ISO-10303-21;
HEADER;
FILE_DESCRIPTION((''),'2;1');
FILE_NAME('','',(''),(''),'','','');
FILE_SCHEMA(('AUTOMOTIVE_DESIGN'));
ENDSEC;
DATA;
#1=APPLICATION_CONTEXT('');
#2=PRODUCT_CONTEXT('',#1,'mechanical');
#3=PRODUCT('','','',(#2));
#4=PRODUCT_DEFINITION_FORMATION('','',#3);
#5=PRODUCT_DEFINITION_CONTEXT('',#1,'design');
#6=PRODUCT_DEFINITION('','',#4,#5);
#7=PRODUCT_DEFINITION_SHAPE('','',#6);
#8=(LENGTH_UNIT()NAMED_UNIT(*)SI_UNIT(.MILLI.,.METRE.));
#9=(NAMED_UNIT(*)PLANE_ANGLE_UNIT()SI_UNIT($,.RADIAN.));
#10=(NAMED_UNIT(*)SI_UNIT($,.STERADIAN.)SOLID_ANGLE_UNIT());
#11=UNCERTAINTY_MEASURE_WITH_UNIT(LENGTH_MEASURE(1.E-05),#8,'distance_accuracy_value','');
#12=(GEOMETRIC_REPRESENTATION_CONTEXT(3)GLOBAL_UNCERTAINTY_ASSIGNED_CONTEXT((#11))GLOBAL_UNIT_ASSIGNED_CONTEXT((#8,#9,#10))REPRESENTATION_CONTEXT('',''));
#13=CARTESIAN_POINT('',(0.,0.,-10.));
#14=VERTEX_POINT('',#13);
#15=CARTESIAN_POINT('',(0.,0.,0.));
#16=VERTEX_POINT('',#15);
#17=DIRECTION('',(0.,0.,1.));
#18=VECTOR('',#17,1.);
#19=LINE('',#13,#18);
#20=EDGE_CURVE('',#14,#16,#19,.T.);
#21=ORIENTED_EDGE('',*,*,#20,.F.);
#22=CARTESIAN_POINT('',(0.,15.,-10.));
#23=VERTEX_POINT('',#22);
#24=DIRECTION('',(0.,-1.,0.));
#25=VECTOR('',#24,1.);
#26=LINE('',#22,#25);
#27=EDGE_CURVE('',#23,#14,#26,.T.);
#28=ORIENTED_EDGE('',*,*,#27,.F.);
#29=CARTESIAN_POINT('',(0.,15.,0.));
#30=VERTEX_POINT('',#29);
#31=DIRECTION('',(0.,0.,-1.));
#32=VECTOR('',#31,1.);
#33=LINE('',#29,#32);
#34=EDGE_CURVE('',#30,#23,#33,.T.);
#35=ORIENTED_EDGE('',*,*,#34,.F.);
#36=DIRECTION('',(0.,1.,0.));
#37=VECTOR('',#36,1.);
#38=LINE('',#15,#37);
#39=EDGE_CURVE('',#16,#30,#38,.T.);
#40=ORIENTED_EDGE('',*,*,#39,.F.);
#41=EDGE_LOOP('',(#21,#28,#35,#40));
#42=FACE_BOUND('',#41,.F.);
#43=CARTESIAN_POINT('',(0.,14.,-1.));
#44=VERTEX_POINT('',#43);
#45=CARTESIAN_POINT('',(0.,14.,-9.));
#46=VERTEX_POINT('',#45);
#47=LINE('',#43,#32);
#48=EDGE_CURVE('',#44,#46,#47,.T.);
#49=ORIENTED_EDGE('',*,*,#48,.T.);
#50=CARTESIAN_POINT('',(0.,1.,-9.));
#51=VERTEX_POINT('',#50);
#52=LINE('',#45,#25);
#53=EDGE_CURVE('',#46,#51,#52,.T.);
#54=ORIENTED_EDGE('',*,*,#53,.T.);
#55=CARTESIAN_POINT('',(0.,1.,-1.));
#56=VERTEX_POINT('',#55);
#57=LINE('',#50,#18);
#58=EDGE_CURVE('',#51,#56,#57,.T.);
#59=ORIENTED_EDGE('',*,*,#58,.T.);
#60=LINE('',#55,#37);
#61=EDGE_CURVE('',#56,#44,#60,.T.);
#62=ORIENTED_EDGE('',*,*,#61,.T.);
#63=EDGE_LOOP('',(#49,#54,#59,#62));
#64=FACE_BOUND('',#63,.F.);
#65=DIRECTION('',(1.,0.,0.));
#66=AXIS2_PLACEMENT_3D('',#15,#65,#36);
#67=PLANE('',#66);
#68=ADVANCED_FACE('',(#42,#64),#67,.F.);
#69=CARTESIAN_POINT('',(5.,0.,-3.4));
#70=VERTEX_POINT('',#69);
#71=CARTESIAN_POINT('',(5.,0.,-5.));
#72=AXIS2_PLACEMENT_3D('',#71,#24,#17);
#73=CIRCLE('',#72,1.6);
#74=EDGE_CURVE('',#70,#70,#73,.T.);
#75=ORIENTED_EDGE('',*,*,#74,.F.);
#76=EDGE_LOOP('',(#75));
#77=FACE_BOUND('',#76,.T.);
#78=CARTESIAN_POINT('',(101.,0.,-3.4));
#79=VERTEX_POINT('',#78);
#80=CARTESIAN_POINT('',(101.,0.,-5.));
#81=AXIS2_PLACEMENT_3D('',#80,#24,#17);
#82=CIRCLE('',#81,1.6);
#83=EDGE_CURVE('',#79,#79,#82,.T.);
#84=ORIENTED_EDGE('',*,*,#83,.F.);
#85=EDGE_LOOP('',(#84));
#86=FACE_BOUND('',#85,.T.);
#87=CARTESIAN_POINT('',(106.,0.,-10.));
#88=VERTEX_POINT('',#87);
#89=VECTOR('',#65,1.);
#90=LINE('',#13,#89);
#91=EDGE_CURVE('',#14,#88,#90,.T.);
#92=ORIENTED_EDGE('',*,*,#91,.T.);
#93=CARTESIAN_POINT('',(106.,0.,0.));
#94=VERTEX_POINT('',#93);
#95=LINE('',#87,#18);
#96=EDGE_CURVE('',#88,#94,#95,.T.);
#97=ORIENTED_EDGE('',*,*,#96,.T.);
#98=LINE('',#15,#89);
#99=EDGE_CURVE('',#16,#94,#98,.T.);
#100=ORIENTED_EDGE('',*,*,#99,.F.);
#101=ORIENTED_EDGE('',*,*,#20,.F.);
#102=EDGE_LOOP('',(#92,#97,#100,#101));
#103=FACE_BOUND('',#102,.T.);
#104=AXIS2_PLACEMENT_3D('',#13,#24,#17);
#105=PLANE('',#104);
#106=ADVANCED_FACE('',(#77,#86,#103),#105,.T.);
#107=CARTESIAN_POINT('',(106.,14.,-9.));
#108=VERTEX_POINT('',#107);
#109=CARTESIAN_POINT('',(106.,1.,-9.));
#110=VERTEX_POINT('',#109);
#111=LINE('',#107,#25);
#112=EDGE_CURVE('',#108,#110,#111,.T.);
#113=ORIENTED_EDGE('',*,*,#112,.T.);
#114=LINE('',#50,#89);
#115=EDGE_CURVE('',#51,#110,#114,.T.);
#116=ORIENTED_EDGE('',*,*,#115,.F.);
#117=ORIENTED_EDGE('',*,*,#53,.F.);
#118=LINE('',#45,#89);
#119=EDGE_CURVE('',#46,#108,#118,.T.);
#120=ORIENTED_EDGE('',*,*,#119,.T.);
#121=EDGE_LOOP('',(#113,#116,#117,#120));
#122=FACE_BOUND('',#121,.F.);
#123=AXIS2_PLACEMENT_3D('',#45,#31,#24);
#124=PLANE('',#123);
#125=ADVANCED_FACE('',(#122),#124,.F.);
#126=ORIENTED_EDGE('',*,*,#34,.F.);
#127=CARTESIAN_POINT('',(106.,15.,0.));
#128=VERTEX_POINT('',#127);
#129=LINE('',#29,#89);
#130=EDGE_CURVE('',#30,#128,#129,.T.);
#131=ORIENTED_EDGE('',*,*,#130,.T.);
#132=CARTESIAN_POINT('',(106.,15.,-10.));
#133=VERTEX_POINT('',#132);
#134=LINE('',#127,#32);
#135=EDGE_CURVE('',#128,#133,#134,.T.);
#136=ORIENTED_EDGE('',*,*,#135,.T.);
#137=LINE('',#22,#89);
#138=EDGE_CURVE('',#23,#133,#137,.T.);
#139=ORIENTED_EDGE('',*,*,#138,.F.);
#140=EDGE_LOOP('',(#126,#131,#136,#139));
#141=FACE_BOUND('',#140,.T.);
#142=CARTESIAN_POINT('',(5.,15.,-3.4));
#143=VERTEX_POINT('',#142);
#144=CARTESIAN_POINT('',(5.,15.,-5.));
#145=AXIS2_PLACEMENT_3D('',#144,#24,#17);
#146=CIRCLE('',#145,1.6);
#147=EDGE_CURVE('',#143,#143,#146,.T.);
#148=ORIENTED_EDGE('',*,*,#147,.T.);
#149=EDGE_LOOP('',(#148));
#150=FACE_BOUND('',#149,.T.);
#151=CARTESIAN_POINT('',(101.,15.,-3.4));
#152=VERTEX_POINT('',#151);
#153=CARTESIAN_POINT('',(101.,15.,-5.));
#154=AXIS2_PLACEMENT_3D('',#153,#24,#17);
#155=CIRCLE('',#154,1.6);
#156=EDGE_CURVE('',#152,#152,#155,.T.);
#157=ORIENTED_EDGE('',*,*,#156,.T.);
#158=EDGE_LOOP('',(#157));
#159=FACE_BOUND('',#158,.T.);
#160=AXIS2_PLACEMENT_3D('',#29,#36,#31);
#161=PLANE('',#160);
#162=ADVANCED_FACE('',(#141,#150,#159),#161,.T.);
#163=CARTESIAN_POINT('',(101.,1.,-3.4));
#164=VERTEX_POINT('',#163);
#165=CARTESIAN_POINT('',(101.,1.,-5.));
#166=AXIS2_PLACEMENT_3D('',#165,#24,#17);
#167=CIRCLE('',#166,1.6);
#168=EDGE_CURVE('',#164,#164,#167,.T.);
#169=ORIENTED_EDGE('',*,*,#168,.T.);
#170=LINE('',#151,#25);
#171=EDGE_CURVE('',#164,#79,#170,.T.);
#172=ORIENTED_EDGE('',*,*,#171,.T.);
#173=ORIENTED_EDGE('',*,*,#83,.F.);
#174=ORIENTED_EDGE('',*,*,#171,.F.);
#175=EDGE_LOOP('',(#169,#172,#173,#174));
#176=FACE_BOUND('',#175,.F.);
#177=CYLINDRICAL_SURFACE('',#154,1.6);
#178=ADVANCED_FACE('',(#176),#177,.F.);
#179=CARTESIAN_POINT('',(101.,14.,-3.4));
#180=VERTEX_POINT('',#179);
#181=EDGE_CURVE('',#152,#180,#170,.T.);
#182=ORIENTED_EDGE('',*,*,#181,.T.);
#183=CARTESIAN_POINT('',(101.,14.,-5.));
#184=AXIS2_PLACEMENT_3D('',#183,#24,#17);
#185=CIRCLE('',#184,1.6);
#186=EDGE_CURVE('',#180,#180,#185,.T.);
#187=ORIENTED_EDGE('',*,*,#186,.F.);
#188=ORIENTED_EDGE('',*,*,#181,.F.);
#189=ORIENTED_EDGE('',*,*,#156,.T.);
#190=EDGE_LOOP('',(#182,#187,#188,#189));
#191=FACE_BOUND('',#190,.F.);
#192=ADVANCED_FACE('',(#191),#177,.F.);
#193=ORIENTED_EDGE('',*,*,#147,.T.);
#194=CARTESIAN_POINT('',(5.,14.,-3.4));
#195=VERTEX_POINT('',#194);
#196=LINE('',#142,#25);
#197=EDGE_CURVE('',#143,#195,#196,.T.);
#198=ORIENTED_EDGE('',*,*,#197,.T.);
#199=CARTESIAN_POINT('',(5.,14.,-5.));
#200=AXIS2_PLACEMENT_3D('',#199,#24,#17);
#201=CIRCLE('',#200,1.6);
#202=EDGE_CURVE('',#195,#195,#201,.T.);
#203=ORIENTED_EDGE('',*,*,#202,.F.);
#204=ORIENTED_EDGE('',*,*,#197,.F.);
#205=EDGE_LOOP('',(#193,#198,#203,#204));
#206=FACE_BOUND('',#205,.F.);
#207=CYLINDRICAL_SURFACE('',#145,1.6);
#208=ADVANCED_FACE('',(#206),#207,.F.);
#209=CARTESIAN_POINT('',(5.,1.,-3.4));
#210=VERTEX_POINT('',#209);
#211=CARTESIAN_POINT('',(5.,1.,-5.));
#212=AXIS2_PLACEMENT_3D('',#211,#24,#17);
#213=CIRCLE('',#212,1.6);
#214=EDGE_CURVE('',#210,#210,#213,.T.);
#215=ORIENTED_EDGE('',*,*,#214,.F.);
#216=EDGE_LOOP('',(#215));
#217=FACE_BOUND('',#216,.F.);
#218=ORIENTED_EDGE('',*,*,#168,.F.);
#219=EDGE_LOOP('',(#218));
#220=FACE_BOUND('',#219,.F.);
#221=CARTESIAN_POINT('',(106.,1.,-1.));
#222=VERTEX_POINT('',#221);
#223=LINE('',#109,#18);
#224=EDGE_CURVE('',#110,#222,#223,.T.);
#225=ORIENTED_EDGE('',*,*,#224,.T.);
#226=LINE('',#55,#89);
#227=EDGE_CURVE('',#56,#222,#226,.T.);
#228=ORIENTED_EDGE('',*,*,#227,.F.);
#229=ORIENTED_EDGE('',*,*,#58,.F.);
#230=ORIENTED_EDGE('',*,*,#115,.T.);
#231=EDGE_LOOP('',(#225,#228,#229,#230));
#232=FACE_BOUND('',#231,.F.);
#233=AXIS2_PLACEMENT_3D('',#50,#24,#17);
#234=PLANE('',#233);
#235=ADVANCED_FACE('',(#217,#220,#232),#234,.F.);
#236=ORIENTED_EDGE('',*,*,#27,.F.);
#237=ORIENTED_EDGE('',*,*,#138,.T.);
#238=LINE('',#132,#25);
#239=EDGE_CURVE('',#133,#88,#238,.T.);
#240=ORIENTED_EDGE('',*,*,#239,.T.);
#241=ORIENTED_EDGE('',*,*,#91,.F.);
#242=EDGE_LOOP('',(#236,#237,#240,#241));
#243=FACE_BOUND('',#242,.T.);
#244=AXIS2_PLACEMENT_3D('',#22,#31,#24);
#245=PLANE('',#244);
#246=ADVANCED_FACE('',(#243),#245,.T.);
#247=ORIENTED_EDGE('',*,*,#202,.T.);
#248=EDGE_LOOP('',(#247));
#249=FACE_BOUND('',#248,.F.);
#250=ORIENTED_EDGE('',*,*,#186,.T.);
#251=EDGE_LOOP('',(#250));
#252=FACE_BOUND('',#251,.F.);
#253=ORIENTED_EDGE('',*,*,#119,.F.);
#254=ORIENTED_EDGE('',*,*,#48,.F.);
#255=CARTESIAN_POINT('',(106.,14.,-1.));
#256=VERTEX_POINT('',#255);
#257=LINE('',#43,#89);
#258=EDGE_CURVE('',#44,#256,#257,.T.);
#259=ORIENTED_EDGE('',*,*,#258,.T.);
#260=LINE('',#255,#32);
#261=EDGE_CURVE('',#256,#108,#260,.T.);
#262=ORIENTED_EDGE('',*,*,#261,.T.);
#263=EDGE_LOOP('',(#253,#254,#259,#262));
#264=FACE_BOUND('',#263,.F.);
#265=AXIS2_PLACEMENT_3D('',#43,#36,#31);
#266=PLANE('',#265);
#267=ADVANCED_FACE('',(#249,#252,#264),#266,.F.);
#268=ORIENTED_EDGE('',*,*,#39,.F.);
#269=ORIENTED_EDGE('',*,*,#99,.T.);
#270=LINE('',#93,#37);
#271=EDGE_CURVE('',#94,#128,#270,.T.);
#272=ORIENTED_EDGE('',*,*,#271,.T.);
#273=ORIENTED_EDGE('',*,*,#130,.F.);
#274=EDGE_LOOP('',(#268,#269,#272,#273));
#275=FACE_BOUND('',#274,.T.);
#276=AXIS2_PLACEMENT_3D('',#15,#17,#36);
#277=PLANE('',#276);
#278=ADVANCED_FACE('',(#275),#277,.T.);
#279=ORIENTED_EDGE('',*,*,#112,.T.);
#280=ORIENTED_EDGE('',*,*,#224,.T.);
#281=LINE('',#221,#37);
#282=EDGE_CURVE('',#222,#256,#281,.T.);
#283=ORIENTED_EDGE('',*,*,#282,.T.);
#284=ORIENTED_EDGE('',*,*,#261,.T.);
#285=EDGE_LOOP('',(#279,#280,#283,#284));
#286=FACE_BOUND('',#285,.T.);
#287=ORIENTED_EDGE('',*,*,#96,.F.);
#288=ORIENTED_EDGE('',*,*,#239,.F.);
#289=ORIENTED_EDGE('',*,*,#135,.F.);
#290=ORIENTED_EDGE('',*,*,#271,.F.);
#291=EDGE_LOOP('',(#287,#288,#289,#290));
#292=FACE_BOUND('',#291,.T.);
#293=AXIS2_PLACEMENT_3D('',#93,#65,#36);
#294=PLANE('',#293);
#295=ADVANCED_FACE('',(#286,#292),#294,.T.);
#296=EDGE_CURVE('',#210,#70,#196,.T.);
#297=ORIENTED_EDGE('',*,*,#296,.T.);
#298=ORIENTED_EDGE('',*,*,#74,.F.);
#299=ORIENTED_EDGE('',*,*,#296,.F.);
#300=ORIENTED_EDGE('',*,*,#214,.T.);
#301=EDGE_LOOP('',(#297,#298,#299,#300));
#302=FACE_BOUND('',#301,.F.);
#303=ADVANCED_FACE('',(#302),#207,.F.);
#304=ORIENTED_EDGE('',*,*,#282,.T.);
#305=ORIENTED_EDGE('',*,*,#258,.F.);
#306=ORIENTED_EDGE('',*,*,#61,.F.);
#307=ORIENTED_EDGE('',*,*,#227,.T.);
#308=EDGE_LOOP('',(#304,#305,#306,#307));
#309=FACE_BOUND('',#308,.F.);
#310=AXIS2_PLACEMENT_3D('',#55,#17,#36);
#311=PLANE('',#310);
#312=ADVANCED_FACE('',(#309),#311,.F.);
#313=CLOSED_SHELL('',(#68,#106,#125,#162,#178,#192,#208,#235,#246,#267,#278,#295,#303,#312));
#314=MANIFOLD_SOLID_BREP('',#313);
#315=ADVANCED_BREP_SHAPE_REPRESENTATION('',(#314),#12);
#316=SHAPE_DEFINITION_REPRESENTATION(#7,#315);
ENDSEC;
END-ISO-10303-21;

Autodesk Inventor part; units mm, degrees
ref_plane "YZ Plane" through (0, 0, 0) normal (1, 0, 0) x (0, 1, 0)
ref_plane "XZ Plane" through (0, 0, 0) normal (0, 1, 0) x (-1, 0, 0)
ref_plane "XY Plane" through (0, 0, 0) normal (0, 0, 1) x (1, 0, 0)
sketch "スケッチ1" plane through (0, 0, 0) normal (1, 0, 0) x (0, 1, 0)
  line L0 (0, 0) -> (15, 0)
  line L1 (15, 0) -> (15, -10)
  line L2 (15, -10) -> (0, -10)
  line L3 (0, -10) -> (0, 0)
  line L4 (1, -1) -> (14, -1)
  line L5 (14, -1) -> (14, -9)
  line L6 (14, -9) -> (1, -9)
  line L7 (1, -9) -> (1, -1)
  dimension "d0" = 15
  dimension "d1" = 10
  dimension "d2" = 13
  dimension "d3" = 8
  dimension "d4" = 1
  dimension "d5" = 1
extrude "押し出し1" add sketch "スケッチ1" along normal blind 106
sketch "スケッチ2" plane through (0, 15, 0) normal (0, 1, 0) x (1, 0, 0)
  line L0 (0, 9) -> (0, 1) projected
  line L1 (0, 5) -> (120, 5)
  line L2 (106, 10) -> (106, 0) projected
  point P0 (0, 0)
  point P1 (5, 5)
  point P2 (101, 5)
  point P3 (106, 0)
  dimension "d8" = 5
  dimension "d9" = 5
hole "穴1" at (5, 15, -5) at (101, 15, -5) direction (0, -1, 0) diameter 3.2 end through all
properties part number "link2_pipe2" material "アルミニウム 6061"
